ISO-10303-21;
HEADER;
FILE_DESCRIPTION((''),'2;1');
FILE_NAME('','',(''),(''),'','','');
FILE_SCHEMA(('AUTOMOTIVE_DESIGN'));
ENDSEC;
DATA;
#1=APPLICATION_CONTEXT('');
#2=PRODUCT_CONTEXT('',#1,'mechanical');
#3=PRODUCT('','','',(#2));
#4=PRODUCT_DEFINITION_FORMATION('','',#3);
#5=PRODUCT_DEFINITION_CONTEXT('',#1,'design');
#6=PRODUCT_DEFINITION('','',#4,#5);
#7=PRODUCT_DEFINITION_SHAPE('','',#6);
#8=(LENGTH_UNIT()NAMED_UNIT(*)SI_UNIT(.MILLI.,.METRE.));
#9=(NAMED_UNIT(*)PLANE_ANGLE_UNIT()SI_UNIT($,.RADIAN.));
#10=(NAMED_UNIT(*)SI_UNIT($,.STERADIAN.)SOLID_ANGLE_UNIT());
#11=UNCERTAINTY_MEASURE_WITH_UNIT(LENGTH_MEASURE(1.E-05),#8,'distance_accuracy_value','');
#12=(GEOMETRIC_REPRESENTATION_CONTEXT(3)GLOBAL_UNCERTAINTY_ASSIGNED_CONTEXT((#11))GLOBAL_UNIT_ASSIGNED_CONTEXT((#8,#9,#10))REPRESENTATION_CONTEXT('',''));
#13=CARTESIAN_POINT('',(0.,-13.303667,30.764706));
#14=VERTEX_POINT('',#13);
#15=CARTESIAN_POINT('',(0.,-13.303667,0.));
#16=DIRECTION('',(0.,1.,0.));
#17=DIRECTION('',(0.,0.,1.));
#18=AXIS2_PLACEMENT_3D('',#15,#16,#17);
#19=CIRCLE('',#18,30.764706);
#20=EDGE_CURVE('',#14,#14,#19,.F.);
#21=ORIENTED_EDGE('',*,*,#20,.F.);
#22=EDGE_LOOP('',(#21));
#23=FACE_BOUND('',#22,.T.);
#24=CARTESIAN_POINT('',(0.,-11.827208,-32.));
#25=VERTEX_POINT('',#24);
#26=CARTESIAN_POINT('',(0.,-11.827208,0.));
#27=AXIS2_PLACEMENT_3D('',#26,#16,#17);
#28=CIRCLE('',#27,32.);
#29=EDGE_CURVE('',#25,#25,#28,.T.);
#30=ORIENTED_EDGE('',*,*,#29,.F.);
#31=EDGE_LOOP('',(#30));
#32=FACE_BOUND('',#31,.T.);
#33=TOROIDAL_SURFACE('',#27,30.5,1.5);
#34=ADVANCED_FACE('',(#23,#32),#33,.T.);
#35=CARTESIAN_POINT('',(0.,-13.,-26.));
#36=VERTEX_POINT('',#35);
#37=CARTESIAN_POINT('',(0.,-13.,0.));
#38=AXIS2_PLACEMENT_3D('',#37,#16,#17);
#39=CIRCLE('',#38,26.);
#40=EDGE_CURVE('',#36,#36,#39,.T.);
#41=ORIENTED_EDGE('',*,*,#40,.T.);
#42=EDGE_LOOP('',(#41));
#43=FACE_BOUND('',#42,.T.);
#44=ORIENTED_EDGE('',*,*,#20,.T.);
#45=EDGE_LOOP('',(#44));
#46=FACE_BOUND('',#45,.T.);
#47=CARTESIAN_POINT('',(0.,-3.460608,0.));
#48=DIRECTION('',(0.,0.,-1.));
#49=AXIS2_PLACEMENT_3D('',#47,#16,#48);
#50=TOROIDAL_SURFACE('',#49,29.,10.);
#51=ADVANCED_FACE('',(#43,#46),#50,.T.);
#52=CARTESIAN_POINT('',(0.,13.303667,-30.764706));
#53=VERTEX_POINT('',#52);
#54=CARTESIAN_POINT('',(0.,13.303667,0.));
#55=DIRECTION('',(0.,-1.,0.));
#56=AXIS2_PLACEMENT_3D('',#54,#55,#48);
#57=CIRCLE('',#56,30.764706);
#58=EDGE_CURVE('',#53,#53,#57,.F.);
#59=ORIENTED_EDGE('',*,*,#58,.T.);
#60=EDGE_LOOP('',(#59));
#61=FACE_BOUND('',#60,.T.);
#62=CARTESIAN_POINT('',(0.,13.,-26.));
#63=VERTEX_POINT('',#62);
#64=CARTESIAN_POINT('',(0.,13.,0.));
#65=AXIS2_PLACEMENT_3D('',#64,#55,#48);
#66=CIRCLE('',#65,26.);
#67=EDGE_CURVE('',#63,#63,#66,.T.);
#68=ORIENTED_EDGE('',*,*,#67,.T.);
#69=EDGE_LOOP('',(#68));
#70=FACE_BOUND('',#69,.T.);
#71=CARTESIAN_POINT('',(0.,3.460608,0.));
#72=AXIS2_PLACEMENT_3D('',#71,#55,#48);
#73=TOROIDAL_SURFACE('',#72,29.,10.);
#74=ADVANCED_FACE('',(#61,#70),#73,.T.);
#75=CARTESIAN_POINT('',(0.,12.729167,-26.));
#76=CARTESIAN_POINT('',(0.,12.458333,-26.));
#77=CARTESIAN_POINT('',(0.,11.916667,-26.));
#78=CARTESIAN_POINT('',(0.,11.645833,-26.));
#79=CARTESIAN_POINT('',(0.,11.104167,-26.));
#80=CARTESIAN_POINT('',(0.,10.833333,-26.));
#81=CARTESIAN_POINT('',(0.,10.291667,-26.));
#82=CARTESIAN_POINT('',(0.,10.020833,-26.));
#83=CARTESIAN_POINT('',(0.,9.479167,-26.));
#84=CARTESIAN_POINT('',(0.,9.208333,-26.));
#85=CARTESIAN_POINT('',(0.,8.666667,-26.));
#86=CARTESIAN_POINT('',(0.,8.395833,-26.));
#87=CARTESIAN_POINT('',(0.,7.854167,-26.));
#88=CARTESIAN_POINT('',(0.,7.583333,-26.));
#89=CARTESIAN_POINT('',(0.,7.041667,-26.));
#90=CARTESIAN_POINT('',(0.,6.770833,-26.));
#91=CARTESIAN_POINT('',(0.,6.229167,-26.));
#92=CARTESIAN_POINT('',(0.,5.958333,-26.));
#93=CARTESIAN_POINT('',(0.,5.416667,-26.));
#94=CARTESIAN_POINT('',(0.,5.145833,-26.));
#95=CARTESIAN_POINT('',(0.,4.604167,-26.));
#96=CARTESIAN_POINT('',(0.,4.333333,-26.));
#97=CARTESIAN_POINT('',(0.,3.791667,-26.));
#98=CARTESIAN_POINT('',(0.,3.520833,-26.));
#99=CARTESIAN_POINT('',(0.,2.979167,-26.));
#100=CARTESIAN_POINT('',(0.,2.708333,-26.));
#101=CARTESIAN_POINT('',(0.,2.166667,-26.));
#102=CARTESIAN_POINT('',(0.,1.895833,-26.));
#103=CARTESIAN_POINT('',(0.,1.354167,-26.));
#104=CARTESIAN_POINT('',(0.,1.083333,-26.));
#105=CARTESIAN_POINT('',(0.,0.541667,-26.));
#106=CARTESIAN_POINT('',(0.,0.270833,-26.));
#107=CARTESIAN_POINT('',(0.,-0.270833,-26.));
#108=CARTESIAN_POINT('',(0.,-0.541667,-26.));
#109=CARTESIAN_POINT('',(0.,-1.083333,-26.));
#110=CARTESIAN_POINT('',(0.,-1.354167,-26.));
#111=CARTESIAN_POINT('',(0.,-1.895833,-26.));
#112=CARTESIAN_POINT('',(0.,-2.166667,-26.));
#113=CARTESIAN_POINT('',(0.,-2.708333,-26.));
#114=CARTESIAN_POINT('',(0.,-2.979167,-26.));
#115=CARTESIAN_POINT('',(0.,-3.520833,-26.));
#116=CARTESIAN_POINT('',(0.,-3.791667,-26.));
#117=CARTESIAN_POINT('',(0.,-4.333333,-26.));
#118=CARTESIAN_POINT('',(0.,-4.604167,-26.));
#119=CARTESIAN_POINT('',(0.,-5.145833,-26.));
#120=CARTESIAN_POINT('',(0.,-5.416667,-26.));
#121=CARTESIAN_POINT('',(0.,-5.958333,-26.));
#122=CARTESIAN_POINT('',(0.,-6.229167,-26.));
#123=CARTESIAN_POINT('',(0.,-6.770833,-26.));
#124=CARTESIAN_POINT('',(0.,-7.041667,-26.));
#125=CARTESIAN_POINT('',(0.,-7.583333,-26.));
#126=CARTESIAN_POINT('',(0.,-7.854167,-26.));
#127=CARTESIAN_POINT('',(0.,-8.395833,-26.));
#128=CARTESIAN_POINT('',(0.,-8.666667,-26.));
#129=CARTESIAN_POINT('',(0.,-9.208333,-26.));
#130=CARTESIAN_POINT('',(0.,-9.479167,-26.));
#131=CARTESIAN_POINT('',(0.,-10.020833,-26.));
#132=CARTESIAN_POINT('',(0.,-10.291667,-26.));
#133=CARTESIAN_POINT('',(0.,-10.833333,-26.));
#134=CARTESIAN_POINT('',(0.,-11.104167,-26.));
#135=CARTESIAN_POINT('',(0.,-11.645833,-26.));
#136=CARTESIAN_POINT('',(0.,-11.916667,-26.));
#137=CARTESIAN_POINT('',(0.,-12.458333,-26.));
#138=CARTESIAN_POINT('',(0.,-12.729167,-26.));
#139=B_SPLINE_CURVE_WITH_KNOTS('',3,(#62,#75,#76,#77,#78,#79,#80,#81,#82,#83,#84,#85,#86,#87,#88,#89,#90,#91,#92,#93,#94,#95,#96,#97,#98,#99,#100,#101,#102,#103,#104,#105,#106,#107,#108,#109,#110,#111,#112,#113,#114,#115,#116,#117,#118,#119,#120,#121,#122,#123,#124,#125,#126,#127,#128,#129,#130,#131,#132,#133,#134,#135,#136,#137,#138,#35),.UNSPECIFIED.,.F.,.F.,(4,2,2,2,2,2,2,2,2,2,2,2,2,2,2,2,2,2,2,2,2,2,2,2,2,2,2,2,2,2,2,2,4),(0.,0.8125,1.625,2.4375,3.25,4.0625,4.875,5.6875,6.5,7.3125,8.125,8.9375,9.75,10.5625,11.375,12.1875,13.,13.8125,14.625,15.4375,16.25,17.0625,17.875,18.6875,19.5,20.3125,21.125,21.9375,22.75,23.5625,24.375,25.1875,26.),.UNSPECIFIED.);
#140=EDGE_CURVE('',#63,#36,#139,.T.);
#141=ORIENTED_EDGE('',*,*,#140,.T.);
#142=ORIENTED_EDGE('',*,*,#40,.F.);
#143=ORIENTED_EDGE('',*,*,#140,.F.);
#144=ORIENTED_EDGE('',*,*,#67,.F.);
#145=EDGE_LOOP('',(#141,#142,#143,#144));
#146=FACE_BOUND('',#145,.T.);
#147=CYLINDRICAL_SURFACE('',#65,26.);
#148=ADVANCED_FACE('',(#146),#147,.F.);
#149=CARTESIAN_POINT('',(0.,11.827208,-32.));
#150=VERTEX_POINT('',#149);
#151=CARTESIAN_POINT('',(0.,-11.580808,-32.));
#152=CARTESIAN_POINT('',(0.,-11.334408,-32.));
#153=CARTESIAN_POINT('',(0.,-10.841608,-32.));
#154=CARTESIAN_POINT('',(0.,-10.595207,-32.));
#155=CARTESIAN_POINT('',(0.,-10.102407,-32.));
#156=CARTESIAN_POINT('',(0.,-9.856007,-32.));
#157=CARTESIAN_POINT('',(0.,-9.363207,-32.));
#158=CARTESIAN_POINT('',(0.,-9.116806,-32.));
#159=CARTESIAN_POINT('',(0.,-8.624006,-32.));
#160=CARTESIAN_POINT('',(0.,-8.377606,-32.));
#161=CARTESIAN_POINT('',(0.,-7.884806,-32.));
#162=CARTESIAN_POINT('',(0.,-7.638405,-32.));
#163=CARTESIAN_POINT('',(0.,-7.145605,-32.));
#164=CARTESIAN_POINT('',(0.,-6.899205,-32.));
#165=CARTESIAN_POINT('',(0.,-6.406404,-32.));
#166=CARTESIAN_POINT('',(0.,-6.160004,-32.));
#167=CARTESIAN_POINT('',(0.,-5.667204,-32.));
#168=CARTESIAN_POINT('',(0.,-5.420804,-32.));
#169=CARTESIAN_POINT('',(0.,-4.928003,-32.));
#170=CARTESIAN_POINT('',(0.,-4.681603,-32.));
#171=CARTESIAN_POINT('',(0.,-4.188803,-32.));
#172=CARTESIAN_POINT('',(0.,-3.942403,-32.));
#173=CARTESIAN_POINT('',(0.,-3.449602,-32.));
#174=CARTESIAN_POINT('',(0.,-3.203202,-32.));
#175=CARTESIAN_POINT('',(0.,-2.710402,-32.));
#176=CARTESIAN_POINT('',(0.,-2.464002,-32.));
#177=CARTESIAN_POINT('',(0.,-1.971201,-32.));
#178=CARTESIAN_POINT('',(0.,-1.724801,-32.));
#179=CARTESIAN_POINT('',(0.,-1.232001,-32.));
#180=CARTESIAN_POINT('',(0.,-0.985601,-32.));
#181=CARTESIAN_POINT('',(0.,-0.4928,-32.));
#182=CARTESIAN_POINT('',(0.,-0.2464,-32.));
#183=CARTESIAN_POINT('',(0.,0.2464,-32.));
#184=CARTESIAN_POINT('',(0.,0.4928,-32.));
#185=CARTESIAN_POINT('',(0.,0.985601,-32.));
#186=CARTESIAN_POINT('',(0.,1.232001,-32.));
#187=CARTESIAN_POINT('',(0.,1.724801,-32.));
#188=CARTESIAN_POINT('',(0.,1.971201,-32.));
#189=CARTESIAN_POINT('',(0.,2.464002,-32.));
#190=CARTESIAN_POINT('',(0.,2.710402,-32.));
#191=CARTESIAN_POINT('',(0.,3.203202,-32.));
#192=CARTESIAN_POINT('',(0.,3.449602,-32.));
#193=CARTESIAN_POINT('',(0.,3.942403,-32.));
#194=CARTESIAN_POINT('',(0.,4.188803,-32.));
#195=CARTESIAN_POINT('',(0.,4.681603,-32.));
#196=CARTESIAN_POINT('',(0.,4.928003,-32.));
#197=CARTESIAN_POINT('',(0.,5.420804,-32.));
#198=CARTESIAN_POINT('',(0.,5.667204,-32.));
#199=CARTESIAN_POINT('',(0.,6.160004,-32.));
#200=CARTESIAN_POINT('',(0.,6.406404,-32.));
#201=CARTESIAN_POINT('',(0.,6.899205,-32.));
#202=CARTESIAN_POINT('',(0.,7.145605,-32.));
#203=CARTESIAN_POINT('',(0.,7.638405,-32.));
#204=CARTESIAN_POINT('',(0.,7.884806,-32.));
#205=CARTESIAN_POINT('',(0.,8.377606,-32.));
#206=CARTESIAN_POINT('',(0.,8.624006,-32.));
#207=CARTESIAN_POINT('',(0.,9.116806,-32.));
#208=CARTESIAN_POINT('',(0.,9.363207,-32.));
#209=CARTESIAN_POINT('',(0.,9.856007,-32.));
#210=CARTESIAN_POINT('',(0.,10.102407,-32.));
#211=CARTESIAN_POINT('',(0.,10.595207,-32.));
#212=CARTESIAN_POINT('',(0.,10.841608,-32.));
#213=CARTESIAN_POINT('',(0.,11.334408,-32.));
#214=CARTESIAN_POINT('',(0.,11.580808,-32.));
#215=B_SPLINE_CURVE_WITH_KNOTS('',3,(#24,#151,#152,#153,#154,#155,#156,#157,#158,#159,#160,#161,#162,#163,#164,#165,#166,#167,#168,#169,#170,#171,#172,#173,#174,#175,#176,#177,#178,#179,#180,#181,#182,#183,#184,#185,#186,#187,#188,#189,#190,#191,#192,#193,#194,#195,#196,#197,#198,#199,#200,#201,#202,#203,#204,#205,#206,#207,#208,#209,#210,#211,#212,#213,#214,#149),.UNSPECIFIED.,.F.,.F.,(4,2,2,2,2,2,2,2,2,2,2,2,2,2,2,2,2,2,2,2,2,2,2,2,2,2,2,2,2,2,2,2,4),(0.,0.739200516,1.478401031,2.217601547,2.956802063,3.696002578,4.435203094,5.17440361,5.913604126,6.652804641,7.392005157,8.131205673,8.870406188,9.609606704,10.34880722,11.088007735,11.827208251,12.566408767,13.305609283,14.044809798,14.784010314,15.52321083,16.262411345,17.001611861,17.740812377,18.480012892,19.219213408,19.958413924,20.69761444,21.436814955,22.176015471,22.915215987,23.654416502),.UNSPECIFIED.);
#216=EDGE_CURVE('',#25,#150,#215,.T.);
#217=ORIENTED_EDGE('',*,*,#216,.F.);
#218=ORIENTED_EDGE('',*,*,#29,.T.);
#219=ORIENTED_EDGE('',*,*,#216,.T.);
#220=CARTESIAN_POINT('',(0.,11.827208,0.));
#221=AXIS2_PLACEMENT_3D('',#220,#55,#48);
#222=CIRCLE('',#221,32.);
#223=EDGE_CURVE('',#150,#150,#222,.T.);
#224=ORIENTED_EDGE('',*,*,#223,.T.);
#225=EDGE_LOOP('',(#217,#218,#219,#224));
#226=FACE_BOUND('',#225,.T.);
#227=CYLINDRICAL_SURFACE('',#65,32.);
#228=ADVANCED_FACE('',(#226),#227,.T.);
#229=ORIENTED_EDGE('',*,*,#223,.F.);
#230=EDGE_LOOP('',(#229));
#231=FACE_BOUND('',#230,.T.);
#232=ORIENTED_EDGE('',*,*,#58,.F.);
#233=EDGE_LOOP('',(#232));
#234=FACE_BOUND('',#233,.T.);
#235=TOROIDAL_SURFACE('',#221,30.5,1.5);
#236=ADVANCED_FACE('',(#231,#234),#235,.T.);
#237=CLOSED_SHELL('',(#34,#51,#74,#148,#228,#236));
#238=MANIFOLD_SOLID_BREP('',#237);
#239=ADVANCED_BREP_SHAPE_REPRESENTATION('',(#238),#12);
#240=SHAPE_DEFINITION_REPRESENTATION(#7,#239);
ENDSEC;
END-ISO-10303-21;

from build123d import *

# Parameters (mm, degrees)
SKETCH_1_R      = 32
SKETCH_1_R_2    = 26
EXTRUDE_1_DEPTH = 13
FILLET_1_R      = 1.5


with BuildPart() as part:
    # 草图1 → 凸台-拉伸1 (new, symmetric)
    with BuildSketch(Plane(origin=(0, 0, 0), x_dir=(1, 0, 0), z_dir=(0, 1, 0))):
        with Locations(Location((0, 0, 0), (0, 0, 90))):
            Circle(SKETCH_1_R)
        with Locations(Location((0, 0, 0), (0, 0, 90))):
            Circle(SKETCH_1_R_2, mode=Mode.SUBTRACT)
    extrude(amount=EXTRUDE_1_DEPTH, both=True)

    # 草图2 → 旋转1 (revolve)
    with BuildSketch(Plane.XY, mode=Mode.PRIVATE) as revolve_1_sk:
        with BuildLine():
            Line((-32, 13), (-26, 13))
            ThreePointArc((-26, 13), (-29, 13.460607986), (-32, 13))
        make_face()
    revolve_1 = revolve(revolve_1_sk.sketch.rotate(Axis((0, 0, 0), (0, 1, 0)), 270), axis=Axis((0, 0, 0), (0, 1, 0)))

    # 镜向1: 旋转1 across plane
    add(revolve_1.mirror(Plane.ZX))

    # 圆角1
    fillet_1_edges = [part.edges().sort_by_distance(p)[0] for p in [
        (0, -13, 32),
        (0, 13, 32),
    ]]
    fillet(fillet_1_edges, radius=FILLET_1_R)


solid = part.part
